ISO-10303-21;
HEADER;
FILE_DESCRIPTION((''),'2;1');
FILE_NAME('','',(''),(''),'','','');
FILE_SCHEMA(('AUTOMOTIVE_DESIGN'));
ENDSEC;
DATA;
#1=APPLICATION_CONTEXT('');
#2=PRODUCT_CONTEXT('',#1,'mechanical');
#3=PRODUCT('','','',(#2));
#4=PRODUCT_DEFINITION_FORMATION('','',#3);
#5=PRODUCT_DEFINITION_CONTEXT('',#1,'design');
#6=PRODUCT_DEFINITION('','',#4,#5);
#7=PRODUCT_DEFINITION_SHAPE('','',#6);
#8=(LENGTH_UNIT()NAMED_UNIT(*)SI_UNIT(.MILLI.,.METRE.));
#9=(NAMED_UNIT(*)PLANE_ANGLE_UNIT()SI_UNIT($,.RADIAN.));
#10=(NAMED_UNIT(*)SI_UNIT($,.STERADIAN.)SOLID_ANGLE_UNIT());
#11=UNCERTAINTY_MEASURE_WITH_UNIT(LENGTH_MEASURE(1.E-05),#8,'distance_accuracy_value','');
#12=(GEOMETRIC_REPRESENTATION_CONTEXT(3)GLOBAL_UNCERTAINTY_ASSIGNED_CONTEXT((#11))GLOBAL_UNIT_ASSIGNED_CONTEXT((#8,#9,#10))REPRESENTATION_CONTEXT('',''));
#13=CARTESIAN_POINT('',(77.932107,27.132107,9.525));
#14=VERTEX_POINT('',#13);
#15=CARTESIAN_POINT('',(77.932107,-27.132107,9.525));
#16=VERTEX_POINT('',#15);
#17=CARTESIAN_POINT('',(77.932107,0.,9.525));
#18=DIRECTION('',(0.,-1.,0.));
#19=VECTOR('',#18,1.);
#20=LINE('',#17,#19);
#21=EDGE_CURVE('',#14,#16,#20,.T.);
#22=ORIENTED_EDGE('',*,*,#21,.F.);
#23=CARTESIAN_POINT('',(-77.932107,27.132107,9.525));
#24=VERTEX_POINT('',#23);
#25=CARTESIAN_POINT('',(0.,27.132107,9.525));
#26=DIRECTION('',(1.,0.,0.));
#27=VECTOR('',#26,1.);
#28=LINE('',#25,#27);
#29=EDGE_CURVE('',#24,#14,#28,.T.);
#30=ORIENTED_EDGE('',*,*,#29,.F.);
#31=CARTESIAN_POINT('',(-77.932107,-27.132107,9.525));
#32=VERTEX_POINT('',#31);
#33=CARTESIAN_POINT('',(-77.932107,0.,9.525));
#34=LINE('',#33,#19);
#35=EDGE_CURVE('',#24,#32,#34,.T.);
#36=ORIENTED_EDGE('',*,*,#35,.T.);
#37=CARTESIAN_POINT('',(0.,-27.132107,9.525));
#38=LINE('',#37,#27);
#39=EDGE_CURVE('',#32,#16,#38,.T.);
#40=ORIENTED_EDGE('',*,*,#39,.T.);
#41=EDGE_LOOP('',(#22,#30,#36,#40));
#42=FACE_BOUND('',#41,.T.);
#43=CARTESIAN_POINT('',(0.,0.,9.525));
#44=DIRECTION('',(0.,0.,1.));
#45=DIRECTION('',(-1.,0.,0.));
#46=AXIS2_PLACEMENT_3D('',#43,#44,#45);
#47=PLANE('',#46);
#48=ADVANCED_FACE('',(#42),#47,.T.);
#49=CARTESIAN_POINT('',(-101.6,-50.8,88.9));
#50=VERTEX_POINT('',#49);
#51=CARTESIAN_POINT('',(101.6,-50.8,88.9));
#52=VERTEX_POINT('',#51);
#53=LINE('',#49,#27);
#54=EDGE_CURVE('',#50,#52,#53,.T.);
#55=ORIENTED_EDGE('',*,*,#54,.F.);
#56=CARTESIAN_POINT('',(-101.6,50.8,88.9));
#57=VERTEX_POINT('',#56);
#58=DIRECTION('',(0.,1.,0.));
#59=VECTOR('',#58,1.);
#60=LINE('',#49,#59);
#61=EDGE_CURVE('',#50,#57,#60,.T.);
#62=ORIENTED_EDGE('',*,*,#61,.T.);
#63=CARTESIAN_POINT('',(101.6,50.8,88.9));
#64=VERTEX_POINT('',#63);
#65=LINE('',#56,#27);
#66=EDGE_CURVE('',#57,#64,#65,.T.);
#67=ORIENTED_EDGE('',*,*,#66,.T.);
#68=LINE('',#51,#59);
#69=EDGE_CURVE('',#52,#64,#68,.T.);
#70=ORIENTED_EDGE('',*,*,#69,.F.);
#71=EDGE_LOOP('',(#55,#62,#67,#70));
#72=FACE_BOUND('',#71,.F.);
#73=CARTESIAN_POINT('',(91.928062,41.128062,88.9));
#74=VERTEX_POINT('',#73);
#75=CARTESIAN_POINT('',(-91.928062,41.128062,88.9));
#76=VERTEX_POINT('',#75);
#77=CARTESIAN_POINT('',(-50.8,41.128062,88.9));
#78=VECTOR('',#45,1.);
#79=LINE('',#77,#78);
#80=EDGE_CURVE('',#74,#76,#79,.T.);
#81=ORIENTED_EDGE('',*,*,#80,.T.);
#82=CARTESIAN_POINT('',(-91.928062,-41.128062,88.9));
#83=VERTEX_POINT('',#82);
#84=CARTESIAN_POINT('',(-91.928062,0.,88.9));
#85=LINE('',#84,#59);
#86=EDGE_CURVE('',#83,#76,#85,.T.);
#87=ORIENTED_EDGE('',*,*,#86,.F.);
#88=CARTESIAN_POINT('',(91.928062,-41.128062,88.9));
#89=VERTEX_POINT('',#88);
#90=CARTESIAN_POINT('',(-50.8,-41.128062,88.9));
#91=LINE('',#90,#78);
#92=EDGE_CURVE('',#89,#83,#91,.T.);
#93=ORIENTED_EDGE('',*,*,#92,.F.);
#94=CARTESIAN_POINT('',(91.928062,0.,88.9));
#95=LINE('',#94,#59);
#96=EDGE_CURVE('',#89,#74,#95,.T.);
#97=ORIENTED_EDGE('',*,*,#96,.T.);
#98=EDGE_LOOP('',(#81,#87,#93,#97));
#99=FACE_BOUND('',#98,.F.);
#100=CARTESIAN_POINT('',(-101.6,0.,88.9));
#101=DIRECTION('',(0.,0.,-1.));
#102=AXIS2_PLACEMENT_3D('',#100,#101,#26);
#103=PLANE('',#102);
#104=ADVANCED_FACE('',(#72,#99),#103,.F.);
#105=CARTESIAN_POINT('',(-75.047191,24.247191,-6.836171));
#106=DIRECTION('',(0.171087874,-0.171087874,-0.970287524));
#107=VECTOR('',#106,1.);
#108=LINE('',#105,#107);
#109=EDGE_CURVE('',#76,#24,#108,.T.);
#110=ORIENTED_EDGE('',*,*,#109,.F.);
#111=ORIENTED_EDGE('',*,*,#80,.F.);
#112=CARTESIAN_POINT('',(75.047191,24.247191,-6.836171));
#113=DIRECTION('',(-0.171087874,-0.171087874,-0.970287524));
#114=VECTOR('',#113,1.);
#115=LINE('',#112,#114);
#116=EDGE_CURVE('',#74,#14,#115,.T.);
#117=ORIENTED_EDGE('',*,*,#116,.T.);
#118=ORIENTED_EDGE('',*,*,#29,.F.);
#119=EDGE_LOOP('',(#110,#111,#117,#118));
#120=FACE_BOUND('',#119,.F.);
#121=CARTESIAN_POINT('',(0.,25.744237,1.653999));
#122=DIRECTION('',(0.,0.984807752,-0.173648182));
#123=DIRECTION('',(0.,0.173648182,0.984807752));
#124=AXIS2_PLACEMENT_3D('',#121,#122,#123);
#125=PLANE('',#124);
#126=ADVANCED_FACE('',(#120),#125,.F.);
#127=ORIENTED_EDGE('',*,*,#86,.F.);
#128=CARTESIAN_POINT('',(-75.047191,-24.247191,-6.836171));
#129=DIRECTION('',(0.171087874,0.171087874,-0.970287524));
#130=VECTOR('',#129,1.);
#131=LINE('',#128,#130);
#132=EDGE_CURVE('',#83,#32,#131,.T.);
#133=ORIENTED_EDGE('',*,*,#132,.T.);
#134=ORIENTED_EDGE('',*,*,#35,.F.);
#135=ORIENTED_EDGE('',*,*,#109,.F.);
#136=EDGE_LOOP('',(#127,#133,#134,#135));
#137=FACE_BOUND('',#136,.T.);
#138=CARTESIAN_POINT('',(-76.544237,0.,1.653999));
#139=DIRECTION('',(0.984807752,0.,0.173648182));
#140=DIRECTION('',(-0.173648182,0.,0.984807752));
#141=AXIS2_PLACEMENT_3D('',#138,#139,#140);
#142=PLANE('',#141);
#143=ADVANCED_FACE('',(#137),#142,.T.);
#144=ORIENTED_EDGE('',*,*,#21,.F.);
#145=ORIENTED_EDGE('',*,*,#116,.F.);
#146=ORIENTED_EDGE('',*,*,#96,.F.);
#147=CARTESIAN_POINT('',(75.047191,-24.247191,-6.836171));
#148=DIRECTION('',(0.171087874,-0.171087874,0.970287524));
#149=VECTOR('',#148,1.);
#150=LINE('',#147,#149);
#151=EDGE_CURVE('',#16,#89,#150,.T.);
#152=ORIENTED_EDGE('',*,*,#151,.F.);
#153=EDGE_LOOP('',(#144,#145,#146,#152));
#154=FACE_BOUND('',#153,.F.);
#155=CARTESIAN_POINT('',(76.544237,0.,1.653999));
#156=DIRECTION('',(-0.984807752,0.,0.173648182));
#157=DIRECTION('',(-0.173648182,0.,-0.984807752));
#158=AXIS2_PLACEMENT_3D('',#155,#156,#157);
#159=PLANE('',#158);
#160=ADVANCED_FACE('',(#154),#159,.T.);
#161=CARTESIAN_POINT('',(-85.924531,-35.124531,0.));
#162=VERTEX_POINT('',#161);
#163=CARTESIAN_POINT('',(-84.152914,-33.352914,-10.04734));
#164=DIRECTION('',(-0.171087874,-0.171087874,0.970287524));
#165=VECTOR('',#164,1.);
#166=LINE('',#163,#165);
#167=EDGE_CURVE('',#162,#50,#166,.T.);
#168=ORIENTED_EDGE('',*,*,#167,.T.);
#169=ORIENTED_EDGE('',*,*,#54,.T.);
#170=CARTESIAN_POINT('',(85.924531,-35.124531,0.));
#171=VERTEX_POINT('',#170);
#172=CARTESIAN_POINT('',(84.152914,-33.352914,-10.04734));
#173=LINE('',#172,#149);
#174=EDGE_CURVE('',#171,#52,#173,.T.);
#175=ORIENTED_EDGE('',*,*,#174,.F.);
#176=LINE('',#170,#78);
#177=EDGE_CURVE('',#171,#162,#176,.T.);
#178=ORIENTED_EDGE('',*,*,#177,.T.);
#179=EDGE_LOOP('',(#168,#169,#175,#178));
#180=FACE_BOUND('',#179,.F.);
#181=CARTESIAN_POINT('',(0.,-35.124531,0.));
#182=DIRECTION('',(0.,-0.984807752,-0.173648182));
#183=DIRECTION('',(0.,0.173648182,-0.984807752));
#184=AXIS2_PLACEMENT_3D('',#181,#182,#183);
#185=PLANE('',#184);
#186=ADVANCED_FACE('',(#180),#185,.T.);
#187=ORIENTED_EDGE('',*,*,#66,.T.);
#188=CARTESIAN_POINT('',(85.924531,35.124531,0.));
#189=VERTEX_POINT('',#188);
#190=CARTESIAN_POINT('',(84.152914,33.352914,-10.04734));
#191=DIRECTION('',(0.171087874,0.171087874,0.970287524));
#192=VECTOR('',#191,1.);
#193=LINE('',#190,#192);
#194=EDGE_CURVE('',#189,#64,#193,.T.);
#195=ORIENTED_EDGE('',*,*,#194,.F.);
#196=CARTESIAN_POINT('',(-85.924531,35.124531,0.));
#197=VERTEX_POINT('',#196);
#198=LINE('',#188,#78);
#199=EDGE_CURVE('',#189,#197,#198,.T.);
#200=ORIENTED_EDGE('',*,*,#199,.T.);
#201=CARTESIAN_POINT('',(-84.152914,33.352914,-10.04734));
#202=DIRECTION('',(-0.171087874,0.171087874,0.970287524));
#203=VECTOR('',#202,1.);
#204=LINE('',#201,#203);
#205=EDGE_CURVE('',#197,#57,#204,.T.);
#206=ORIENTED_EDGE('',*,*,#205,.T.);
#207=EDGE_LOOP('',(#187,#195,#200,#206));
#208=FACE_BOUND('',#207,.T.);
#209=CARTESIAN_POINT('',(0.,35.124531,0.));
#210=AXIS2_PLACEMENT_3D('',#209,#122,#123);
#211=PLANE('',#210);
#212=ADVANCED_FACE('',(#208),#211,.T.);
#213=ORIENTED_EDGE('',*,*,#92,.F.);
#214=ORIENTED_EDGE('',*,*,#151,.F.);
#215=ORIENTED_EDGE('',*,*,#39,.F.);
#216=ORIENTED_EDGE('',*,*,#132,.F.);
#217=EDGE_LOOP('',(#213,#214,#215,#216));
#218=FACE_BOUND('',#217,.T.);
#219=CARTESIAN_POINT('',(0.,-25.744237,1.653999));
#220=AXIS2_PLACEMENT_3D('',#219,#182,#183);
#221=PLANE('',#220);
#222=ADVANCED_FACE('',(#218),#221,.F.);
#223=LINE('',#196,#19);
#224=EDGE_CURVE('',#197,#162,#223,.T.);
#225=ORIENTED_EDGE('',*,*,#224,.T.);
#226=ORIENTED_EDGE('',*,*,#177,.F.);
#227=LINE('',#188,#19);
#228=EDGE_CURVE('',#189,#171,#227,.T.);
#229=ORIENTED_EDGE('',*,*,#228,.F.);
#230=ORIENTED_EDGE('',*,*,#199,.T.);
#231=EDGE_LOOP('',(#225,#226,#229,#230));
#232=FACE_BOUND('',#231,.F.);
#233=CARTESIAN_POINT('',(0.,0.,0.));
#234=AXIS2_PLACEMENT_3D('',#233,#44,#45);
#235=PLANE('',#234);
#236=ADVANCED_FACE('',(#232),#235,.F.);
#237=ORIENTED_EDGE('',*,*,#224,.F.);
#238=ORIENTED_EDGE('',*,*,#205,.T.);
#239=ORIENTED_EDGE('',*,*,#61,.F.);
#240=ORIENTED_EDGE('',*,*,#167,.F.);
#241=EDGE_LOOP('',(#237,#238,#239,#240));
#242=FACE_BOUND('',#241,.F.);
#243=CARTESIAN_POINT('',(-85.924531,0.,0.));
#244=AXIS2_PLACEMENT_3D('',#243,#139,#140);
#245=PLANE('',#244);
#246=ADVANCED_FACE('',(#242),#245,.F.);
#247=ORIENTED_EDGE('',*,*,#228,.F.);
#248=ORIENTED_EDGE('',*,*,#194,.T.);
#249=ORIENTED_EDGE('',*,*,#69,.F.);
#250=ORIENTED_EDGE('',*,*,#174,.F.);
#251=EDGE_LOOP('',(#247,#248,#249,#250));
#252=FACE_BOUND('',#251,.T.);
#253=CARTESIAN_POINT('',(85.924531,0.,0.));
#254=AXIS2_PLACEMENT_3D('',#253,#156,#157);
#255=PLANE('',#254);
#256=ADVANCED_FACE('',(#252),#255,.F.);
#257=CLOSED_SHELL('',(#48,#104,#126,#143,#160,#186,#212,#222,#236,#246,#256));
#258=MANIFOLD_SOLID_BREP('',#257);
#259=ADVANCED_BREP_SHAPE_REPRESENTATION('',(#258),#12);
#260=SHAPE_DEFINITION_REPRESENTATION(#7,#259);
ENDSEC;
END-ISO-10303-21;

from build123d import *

# Parameters (mm, degrees)
F1_DEPTH = 50.8
F3_DEPTH = 101.601
F6_T     = -9.525


with BuildPart() as f1:
    # F0 (on Front) → F1 (new body)
    with BuildSketch(Plane.XZ):
        Polygon((0, 88.9), (0, 0), (85.924531, 0), (101.6, 88.9), align=None)
    extrude(amount=F1_DEPTH)

    # F2 (on Right) → F3 (cut, through all)
    with BuildSketch(Plane.YZ):
        Polygon((-35.124531, 0), (-50.8, 88.9), (-50.8, 0), align=None)
    extrude(amount=F3_DEPTH, mode=Mode.SUBTRACT)

    # F4: F1 across plane


with BuildPart() as f1_1:
    add(f1.part)
    add(f1.part.mirror(Plane.XZ))

    # F5: F1 across plane


with BuildPart() as f1_2:
    add(f1_1.part)
    add(f1_1.part.mirror(Plane.YZ))

    # F6
    f6_openings = [f1_2.faces().sort_by_distance(p)[0] for p in [
        (0, 0, 88.9),
    ]]
    offset(amount=F6_T, openings=f6_openings)


solid = f1_2.part
